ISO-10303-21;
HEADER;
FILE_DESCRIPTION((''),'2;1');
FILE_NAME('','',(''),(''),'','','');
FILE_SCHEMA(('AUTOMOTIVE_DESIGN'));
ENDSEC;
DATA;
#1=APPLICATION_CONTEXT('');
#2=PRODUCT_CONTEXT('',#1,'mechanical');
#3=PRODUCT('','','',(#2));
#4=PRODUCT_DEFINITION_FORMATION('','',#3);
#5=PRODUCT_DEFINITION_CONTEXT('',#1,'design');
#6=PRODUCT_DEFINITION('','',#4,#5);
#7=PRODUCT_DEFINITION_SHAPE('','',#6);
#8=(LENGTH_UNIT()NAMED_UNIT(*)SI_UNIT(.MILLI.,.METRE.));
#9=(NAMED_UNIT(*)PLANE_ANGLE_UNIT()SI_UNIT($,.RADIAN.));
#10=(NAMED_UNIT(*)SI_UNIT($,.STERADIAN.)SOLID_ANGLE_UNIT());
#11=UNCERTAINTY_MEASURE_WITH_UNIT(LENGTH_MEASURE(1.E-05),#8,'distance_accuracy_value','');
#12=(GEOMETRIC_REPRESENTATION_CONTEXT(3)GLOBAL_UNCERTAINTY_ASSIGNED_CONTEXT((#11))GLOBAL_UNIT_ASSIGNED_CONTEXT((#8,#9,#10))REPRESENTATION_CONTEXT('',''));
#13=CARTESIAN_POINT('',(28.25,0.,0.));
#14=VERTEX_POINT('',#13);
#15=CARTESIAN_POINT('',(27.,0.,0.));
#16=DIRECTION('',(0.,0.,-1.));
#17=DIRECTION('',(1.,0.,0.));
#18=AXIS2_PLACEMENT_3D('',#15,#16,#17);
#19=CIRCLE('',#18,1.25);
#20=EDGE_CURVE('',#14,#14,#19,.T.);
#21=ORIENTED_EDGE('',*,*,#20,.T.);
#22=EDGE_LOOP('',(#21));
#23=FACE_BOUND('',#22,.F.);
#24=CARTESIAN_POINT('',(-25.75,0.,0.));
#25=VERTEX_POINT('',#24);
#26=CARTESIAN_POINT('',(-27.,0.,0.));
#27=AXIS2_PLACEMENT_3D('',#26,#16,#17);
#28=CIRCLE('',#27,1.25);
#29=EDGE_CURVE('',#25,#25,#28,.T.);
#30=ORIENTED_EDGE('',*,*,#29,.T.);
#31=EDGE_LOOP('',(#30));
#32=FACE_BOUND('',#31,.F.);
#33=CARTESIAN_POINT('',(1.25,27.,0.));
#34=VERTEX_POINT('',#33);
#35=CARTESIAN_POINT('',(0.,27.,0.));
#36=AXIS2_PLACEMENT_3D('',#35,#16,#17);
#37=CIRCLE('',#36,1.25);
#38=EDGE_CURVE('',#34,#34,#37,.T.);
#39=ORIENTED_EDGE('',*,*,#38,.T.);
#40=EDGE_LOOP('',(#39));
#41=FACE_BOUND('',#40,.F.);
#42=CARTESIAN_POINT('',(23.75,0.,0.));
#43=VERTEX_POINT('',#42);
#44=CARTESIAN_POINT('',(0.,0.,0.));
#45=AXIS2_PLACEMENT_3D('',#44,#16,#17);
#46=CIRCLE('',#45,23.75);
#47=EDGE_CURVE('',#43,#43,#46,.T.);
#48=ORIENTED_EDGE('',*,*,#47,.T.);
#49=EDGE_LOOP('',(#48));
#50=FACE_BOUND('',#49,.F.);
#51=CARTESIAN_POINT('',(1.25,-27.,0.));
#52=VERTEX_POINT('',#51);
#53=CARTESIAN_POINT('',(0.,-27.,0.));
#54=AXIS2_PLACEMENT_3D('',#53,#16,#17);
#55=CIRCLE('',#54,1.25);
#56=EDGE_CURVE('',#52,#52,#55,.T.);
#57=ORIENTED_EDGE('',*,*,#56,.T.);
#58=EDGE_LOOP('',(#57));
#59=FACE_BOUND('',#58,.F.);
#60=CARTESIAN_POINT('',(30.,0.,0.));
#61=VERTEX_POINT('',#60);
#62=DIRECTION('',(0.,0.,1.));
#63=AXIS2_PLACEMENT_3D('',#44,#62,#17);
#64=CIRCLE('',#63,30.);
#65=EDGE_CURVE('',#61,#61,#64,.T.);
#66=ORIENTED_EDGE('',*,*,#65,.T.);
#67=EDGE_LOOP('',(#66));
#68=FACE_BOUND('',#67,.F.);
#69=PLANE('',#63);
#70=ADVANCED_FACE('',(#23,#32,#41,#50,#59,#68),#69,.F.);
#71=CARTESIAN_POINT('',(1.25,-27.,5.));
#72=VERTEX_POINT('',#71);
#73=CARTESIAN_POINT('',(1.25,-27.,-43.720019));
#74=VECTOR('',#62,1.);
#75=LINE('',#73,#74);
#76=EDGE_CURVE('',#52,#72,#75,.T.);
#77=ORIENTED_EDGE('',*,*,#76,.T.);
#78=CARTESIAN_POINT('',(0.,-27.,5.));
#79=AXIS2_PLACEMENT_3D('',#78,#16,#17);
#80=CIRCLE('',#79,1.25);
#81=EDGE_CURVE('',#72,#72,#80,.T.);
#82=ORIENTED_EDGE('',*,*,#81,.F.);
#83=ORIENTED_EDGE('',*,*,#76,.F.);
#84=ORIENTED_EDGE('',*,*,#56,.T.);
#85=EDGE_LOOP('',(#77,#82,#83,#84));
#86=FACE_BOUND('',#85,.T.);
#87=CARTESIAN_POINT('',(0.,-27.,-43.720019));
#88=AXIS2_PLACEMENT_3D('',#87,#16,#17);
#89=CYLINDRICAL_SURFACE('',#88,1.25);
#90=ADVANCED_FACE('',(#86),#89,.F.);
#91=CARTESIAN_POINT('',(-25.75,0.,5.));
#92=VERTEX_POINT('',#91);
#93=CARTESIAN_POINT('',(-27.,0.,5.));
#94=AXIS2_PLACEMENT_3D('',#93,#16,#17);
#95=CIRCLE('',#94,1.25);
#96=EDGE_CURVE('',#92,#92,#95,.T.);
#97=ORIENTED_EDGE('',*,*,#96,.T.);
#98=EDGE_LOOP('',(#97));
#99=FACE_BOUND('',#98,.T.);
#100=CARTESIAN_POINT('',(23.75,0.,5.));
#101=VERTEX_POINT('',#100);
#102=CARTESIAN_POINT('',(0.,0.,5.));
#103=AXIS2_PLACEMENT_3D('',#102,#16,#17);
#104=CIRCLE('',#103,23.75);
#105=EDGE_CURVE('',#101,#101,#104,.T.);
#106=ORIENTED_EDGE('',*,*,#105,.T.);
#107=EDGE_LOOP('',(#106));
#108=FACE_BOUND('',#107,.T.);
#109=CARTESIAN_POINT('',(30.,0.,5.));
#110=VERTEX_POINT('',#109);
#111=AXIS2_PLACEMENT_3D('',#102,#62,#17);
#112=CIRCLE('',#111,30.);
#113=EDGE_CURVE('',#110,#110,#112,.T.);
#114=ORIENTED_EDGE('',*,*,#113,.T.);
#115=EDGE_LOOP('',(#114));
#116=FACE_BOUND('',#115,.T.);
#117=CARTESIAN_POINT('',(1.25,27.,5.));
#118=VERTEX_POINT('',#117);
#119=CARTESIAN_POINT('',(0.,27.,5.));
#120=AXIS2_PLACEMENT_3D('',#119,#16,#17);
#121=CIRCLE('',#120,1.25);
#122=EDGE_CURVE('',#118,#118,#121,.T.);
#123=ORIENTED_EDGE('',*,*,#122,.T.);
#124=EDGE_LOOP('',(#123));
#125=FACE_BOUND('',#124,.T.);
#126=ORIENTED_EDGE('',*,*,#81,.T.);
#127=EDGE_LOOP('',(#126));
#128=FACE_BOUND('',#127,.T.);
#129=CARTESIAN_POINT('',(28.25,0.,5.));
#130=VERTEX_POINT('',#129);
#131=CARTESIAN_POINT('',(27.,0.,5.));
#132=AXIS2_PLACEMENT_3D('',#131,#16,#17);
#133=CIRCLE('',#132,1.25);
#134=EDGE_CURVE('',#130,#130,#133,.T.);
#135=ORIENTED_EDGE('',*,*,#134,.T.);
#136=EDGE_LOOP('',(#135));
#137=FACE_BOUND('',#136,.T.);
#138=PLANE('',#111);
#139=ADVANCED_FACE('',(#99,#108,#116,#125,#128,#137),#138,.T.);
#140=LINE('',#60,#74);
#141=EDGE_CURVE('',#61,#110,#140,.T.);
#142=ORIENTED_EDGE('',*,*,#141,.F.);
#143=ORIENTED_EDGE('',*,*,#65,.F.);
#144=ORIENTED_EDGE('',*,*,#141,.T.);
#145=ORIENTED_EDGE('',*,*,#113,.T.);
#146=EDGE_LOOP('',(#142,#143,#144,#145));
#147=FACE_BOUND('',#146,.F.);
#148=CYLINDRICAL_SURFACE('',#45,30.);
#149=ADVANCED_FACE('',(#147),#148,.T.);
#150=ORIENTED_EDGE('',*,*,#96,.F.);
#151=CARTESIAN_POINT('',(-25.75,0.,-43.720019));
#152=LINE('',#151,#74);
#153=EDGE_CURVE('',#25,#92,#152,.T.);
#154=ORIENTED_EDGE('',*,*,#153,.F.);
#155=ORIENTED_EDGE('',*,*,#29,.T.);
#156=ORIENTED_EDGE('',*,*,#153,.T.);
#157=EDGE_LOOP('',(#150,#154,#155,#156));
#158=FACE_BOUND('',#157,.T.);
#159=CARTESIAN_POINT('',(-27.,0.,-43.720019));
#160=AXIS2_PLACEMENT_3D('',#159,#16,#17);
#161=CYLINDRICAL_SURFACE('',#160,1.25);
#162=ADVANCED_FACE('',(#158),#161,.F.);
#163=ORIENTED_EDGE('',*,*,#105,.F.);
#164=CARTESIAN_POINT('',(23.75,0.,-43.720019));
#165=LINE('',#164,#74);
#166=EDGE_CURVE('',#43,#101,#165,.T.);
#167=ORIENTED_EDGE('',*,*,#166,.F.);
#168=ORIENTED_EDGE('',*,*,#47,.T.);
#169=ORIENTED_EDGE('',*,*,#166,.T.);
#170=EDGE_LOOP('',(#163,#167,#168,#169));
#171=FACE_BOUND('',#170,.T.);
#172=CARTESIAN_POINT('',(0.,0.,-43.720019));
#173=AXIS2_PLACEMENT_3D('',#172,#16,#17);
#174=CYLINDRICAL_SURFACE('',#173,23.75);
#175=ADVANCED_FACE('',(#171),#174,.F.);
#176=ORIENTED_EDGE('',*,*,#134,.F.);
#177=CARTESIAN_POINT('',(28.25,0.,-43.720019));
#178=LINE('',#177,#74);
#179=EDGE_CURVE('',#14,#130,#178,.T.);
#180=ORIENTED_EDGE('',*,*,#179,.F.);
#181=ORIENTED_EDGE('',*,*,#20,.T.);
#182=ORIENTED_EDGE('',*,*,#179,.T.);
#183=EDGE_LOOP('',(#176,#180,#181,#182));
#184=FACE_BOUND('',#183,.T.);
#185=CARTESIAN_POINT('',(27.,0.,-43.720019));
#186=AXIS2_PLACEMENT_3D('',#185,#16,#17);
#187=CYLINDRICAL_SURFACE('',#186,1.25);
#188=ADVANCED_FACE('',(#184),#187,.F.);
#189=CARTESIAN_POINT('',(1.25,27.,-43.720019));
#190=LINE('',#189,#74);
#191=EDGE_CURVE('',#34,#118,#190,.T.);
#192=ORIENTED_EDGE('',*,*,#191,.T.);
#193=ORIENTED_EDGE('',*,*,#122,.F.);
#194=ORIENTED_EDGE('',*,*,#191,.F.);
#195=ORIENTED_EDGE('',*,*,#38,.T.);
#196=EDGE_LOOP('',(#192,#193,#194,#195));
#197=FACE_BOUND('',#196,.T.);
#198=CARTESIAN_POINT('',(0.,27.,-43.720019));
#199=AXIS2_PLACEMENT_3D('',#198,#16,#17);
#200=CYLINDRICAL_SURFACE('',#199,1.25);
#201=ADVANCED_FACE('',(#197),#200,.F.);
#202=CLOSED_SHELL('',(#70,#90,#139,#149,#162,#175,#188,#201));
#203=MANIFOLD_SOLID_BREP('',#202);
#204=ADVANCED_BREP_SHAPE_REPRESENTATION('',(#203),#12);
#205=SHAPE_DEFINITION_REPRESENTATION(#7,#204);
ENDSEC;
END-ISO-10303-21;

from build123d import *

# Parameters (mm, degrees)
ESKIZ_KONTUR_R        = 30
PLASTINA_DEPTH        = 5
OTVERSTIYA_DEPTH      = 43.720018727
OTVERSTIYA_DEPTH_BACK = 43.720018727
ESKIZ_OTVERSTIYA_R    = 1.25
ESKIZ_OTVERSTIYA_R_2  = 23.75


with BuildPart() as part:
    # Eskiz_kontur → Plastina (new body)
    with BuildSketch(Plane.XY):
        Circle(ESKIZ_KONTUR_R)
    extrude(amount=PLASTINA_DEPTH)

    # Eskiz_otverstiya → Otverstiya (cut, two sides: drawn at the far end of the back side and taken through both)
    with BuildSketch(Plane.XY.offset(-OTVERSTIYA_DEPTH_BACK)):
        with Locations((0, -27)):
            Circle(ESKIZ_OTVERSTIYA_R)
        with Locations((-27, 0)):
            Circle(ESKIZ_OTVERSTIYA_R)
        Circle(ESKIZ_OTVERSTIYA_R_2)
        with Locations((27, 0)):
            Circle(ESKIZ_OTVERSTIYA_R)
        with Locations((0, 27)):
            Circle(ESKIZ_OTVERSTIYA_R)
    extrude(amount=OTVERSTIYA_DEPTH + OTVERSTIYA_DEPTH_BACK, mode=Mode.SUBTRACT)


solid = part.part
